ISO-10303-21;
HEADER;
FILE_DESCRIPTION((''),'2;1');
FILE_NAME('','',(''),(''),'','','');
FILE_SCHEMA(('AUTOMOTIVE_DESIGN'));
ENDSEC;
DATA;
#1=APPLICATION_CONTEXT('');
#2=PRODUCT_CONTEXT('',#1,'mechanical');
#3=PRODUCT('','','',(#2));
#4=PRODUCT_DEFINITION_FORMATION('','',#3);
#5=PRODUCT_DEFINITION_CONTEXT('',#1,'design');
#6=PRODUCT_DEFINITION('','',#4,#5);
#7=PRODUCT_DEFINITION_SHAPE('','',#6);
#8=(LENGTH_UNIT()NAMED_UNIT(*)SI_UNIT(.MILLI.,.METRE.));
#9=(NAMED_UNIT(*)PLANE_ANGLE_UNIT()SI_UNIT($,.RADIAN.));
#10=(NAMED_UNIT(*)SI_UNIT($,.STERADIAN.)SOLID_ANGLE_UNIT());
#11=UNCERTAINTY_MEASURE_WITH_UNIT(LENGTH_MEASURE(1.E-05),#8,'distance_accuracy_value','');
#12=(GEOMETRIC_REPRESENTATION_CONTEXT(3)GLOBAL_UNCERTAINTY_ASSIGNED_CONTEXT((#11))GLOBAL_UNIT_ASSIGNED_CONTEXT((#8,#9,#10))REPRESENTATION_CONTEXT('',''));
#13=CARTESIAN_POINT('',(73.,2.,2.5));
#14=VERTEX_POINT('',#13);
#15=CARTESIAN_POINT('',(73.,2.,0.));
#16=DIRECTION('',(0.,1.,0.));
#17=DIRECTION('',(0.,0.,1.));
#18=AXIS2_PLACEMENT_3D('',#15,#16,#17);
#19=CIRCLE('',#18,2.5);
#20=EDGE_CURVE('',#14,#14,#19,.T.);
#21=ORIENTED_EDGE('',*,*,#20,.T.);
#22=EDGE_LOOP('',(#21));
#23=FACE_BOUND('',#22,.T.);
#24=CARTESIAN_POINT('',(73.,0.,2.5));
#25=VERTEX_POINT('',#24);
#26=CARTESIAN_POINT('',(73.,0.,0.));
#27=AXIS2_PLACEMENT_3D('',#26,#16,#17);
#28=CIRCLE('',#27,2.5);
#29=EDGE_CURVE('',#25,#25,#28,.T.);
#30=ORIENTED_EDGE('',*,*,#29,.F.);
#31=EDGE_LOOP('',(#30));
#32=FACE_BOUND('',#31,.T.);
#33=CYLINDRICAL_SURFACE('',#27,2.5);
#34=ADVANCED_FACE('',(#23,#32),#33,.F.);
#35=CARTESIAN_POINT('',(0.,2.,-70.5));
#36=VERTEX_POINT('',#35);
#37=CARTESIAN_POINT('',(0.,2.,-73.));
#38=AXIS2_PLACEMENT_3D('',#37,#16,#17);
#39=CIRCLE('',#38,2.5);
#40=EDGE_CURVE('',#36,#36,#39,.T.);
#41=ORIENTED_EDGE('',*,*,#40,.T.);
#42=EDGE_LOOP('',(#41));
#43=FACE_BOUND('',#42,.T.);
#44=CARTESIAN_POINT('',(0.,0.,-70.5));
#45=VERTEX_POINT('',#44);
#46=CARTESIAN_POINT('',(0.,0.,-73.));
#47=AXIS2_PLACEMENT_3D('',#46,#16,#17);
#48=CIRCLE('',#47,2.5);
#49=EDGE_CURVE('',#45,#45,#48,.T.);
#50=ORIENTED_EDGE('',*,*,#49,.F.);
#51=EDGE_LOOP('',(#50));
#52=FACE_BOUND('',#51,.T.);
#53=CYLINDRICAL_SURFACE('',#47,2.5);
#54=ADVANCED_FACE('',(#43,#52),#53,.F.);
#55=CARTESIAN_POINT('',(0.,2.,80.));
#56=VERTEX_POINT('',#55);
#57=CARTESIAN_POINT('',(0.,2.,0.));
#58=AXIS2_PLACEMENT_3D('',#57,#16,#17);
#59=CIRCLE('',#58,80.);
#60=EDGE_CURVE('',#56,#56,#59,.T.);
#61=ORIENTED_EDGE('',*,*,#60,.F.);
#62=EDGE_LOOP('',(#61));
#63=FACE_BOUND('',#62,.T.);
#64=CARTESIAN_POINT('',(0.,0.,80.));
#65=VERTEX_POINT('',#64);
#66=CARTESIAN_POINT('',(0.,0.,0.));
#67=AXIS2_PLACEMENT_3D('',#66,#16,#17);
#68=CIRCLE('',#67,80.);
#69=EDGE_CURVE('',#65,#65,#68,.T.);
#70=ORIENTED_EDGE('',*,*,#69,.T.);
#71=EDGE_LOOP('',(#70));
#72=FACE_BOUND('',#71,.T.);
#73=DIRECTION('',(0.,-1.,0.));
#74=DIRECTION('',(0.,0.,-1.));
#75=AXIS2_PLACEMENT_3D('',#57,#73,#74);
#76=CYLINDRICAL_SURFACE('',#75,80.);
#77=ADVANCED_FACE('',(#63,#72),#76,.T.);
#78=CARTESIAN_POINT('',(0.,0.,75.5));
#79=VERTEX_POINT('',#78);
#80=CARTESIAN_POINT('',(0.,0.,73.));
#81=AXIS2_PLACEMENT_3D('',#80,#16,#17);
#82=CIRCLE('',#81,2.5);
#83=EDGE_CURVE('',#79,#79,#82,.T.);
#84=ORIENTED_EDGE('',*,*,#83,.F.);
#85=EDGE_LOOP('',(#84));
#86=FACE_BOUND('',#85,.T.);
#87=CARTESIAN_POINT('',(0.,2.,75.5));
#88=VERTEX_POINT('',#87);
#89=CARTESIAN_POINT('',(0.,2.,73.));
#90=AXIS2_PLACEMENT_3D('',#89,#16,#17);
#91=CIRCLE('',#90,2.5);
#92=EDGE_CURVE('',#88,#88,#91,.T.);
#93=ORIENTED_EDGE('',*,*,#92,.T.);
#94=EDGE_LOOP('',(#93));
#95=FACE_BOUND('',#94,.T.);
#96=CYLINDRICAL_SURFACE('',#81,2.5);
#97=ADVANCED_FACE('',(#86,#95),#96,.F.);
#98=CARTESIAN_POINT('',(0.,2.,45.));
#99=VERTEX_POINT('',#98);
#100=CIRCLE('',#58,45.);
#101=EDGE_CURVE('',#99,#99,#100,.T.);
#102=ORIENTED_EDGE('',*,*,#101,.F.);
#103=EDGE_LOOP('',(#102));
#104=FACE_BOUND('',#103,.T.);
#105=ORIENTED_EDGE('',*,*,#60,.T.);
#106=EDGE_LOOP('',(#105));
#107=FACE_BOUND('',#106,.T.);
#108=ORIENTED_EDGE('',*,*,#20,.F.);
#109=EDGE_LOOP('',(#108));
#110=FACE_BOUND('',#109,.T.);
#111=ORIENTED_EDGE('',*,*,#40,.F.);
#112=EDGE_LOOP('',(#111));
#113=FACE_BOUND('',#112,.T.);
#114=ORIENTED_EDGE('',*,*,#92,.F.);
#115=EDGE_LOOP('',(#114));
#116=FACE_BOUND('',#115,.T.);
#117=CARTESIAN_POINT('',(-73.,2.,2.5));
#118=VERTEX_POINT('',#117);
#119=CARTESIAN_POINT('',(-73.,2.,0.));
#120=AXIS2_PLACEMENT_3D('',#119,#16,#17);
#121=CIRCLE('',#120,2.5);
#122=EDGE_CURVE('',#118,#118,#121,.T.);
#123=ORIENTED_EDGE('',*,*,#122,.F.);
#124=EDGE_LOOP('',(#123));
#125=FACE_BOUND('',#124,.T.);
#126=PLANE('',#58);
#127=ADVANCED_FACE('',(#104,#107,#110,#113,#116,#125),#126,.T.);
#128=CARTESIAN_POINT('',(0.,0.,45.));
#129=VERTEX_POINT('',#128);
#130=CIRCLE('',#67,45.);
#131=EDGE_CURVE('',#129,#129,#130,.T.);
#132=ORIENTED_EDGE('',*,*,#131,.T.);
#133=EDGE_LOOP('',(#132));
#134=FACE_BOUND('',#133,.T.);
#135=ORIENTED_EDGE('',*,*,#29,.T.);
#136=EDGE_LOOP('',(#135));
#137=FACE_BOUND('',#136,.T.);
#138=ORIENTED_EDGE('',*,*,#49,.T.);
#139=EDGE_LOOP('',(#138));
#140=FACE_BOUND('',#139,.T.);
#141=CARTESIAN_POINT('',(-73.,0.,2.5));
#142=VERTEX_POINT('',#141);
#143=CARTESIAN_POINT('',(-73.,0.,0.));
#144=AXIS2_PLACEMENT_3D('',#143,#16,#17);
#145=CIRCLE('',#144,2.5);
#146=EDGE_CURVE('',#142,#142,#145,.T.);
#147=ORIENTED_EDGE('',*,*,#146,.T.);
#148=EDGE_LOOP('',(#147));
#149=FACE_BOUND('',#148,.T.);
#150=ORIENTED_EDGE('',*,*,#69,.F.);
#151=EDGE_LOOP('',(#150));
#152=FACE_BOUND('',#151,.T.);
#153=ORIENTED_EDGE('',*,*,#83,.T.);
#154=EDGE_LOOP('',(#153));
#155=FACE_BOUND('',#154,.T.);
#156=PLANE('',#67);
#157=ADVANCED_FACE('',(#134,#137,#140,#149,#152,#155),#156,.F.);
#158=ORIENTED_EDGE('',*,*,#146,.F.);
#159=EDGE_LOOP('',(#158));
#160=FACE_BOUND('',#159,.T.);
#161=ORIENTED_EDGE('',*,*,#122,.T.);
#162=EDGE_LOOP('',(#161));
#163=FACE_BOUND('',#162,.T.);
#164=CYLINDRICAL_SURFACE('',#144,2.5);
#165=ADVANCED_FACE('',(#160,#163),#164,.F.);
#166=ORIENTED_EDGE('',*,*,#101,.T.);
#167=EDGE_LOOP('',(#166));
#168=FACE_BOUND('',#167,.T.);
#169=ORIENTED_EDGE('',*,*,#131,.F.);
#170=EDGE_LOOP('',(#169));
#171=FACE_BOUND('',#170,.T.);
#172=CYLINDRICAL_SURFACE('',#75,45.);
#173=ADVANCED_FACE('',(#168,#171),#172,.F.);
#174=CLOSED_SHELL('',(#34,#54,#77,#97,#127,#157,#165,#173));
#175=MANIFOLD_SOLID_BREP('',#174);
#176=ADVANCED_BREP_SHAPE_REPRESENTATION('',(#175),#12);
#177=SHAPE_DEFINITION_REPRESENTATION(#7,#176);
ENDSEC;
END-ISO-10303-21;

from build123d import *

# Parameters (mm, degrees)
SKETCH1_R           = 80
SKETCH1_R_2         = 45
BOSS_EXTRUDE1_DEPTH = 2
SKETCH2_R           = 2.5
CUT_EXTRUDE1_DEPTH  = 114.154761279


with BuildPart() as part:
    # Sketch1 → Boss-Extrude1 (new body)
    with BuildSketch(Plane(origin=(0, 0, 0), x_dir=(1, 0, 0), z_dir=(0, 1, 0))):
        with Locations(Location((0, 0, 0), (0, 0, 270))):
            Circle(SKETCH1_R)
        with Locations(Location((0, 0, 0), (0, 0, 270))):
            Circle(SKETCH1_R_2, mode=Mode.SUBTRACT)
    extrude(amount=BOSS_EXTRUDE1_DEPTH)

    # Sketch2 → Cut-Extrude1 (cut, through all)
    with BuildSketch(Plane(origin=(0, 2, 0), x_dir=(1, 0, 0), z_dir=(0, 1, 0))):
        with Locations(Location((0, 73, 0), (0, 0, 270))):
            Circle(SKETCH2_R)
        with Locations(Location((73, 0, 0), (0, 0, 270))):
            Circle(SKETCH2_R)
        with Locations(Location((0, -73, 0), (0, 0, 270))):
            Circle(SKETCH2_R)
        with Locations(Location((-73, 0, 0), (0, 0, 270))):
            Circle(SKETCH2_R)
    extrude(amount=-CUT_EXTRUDE1_DEPTH, mode=Mode.SUBTRACT)


solid = part.part
